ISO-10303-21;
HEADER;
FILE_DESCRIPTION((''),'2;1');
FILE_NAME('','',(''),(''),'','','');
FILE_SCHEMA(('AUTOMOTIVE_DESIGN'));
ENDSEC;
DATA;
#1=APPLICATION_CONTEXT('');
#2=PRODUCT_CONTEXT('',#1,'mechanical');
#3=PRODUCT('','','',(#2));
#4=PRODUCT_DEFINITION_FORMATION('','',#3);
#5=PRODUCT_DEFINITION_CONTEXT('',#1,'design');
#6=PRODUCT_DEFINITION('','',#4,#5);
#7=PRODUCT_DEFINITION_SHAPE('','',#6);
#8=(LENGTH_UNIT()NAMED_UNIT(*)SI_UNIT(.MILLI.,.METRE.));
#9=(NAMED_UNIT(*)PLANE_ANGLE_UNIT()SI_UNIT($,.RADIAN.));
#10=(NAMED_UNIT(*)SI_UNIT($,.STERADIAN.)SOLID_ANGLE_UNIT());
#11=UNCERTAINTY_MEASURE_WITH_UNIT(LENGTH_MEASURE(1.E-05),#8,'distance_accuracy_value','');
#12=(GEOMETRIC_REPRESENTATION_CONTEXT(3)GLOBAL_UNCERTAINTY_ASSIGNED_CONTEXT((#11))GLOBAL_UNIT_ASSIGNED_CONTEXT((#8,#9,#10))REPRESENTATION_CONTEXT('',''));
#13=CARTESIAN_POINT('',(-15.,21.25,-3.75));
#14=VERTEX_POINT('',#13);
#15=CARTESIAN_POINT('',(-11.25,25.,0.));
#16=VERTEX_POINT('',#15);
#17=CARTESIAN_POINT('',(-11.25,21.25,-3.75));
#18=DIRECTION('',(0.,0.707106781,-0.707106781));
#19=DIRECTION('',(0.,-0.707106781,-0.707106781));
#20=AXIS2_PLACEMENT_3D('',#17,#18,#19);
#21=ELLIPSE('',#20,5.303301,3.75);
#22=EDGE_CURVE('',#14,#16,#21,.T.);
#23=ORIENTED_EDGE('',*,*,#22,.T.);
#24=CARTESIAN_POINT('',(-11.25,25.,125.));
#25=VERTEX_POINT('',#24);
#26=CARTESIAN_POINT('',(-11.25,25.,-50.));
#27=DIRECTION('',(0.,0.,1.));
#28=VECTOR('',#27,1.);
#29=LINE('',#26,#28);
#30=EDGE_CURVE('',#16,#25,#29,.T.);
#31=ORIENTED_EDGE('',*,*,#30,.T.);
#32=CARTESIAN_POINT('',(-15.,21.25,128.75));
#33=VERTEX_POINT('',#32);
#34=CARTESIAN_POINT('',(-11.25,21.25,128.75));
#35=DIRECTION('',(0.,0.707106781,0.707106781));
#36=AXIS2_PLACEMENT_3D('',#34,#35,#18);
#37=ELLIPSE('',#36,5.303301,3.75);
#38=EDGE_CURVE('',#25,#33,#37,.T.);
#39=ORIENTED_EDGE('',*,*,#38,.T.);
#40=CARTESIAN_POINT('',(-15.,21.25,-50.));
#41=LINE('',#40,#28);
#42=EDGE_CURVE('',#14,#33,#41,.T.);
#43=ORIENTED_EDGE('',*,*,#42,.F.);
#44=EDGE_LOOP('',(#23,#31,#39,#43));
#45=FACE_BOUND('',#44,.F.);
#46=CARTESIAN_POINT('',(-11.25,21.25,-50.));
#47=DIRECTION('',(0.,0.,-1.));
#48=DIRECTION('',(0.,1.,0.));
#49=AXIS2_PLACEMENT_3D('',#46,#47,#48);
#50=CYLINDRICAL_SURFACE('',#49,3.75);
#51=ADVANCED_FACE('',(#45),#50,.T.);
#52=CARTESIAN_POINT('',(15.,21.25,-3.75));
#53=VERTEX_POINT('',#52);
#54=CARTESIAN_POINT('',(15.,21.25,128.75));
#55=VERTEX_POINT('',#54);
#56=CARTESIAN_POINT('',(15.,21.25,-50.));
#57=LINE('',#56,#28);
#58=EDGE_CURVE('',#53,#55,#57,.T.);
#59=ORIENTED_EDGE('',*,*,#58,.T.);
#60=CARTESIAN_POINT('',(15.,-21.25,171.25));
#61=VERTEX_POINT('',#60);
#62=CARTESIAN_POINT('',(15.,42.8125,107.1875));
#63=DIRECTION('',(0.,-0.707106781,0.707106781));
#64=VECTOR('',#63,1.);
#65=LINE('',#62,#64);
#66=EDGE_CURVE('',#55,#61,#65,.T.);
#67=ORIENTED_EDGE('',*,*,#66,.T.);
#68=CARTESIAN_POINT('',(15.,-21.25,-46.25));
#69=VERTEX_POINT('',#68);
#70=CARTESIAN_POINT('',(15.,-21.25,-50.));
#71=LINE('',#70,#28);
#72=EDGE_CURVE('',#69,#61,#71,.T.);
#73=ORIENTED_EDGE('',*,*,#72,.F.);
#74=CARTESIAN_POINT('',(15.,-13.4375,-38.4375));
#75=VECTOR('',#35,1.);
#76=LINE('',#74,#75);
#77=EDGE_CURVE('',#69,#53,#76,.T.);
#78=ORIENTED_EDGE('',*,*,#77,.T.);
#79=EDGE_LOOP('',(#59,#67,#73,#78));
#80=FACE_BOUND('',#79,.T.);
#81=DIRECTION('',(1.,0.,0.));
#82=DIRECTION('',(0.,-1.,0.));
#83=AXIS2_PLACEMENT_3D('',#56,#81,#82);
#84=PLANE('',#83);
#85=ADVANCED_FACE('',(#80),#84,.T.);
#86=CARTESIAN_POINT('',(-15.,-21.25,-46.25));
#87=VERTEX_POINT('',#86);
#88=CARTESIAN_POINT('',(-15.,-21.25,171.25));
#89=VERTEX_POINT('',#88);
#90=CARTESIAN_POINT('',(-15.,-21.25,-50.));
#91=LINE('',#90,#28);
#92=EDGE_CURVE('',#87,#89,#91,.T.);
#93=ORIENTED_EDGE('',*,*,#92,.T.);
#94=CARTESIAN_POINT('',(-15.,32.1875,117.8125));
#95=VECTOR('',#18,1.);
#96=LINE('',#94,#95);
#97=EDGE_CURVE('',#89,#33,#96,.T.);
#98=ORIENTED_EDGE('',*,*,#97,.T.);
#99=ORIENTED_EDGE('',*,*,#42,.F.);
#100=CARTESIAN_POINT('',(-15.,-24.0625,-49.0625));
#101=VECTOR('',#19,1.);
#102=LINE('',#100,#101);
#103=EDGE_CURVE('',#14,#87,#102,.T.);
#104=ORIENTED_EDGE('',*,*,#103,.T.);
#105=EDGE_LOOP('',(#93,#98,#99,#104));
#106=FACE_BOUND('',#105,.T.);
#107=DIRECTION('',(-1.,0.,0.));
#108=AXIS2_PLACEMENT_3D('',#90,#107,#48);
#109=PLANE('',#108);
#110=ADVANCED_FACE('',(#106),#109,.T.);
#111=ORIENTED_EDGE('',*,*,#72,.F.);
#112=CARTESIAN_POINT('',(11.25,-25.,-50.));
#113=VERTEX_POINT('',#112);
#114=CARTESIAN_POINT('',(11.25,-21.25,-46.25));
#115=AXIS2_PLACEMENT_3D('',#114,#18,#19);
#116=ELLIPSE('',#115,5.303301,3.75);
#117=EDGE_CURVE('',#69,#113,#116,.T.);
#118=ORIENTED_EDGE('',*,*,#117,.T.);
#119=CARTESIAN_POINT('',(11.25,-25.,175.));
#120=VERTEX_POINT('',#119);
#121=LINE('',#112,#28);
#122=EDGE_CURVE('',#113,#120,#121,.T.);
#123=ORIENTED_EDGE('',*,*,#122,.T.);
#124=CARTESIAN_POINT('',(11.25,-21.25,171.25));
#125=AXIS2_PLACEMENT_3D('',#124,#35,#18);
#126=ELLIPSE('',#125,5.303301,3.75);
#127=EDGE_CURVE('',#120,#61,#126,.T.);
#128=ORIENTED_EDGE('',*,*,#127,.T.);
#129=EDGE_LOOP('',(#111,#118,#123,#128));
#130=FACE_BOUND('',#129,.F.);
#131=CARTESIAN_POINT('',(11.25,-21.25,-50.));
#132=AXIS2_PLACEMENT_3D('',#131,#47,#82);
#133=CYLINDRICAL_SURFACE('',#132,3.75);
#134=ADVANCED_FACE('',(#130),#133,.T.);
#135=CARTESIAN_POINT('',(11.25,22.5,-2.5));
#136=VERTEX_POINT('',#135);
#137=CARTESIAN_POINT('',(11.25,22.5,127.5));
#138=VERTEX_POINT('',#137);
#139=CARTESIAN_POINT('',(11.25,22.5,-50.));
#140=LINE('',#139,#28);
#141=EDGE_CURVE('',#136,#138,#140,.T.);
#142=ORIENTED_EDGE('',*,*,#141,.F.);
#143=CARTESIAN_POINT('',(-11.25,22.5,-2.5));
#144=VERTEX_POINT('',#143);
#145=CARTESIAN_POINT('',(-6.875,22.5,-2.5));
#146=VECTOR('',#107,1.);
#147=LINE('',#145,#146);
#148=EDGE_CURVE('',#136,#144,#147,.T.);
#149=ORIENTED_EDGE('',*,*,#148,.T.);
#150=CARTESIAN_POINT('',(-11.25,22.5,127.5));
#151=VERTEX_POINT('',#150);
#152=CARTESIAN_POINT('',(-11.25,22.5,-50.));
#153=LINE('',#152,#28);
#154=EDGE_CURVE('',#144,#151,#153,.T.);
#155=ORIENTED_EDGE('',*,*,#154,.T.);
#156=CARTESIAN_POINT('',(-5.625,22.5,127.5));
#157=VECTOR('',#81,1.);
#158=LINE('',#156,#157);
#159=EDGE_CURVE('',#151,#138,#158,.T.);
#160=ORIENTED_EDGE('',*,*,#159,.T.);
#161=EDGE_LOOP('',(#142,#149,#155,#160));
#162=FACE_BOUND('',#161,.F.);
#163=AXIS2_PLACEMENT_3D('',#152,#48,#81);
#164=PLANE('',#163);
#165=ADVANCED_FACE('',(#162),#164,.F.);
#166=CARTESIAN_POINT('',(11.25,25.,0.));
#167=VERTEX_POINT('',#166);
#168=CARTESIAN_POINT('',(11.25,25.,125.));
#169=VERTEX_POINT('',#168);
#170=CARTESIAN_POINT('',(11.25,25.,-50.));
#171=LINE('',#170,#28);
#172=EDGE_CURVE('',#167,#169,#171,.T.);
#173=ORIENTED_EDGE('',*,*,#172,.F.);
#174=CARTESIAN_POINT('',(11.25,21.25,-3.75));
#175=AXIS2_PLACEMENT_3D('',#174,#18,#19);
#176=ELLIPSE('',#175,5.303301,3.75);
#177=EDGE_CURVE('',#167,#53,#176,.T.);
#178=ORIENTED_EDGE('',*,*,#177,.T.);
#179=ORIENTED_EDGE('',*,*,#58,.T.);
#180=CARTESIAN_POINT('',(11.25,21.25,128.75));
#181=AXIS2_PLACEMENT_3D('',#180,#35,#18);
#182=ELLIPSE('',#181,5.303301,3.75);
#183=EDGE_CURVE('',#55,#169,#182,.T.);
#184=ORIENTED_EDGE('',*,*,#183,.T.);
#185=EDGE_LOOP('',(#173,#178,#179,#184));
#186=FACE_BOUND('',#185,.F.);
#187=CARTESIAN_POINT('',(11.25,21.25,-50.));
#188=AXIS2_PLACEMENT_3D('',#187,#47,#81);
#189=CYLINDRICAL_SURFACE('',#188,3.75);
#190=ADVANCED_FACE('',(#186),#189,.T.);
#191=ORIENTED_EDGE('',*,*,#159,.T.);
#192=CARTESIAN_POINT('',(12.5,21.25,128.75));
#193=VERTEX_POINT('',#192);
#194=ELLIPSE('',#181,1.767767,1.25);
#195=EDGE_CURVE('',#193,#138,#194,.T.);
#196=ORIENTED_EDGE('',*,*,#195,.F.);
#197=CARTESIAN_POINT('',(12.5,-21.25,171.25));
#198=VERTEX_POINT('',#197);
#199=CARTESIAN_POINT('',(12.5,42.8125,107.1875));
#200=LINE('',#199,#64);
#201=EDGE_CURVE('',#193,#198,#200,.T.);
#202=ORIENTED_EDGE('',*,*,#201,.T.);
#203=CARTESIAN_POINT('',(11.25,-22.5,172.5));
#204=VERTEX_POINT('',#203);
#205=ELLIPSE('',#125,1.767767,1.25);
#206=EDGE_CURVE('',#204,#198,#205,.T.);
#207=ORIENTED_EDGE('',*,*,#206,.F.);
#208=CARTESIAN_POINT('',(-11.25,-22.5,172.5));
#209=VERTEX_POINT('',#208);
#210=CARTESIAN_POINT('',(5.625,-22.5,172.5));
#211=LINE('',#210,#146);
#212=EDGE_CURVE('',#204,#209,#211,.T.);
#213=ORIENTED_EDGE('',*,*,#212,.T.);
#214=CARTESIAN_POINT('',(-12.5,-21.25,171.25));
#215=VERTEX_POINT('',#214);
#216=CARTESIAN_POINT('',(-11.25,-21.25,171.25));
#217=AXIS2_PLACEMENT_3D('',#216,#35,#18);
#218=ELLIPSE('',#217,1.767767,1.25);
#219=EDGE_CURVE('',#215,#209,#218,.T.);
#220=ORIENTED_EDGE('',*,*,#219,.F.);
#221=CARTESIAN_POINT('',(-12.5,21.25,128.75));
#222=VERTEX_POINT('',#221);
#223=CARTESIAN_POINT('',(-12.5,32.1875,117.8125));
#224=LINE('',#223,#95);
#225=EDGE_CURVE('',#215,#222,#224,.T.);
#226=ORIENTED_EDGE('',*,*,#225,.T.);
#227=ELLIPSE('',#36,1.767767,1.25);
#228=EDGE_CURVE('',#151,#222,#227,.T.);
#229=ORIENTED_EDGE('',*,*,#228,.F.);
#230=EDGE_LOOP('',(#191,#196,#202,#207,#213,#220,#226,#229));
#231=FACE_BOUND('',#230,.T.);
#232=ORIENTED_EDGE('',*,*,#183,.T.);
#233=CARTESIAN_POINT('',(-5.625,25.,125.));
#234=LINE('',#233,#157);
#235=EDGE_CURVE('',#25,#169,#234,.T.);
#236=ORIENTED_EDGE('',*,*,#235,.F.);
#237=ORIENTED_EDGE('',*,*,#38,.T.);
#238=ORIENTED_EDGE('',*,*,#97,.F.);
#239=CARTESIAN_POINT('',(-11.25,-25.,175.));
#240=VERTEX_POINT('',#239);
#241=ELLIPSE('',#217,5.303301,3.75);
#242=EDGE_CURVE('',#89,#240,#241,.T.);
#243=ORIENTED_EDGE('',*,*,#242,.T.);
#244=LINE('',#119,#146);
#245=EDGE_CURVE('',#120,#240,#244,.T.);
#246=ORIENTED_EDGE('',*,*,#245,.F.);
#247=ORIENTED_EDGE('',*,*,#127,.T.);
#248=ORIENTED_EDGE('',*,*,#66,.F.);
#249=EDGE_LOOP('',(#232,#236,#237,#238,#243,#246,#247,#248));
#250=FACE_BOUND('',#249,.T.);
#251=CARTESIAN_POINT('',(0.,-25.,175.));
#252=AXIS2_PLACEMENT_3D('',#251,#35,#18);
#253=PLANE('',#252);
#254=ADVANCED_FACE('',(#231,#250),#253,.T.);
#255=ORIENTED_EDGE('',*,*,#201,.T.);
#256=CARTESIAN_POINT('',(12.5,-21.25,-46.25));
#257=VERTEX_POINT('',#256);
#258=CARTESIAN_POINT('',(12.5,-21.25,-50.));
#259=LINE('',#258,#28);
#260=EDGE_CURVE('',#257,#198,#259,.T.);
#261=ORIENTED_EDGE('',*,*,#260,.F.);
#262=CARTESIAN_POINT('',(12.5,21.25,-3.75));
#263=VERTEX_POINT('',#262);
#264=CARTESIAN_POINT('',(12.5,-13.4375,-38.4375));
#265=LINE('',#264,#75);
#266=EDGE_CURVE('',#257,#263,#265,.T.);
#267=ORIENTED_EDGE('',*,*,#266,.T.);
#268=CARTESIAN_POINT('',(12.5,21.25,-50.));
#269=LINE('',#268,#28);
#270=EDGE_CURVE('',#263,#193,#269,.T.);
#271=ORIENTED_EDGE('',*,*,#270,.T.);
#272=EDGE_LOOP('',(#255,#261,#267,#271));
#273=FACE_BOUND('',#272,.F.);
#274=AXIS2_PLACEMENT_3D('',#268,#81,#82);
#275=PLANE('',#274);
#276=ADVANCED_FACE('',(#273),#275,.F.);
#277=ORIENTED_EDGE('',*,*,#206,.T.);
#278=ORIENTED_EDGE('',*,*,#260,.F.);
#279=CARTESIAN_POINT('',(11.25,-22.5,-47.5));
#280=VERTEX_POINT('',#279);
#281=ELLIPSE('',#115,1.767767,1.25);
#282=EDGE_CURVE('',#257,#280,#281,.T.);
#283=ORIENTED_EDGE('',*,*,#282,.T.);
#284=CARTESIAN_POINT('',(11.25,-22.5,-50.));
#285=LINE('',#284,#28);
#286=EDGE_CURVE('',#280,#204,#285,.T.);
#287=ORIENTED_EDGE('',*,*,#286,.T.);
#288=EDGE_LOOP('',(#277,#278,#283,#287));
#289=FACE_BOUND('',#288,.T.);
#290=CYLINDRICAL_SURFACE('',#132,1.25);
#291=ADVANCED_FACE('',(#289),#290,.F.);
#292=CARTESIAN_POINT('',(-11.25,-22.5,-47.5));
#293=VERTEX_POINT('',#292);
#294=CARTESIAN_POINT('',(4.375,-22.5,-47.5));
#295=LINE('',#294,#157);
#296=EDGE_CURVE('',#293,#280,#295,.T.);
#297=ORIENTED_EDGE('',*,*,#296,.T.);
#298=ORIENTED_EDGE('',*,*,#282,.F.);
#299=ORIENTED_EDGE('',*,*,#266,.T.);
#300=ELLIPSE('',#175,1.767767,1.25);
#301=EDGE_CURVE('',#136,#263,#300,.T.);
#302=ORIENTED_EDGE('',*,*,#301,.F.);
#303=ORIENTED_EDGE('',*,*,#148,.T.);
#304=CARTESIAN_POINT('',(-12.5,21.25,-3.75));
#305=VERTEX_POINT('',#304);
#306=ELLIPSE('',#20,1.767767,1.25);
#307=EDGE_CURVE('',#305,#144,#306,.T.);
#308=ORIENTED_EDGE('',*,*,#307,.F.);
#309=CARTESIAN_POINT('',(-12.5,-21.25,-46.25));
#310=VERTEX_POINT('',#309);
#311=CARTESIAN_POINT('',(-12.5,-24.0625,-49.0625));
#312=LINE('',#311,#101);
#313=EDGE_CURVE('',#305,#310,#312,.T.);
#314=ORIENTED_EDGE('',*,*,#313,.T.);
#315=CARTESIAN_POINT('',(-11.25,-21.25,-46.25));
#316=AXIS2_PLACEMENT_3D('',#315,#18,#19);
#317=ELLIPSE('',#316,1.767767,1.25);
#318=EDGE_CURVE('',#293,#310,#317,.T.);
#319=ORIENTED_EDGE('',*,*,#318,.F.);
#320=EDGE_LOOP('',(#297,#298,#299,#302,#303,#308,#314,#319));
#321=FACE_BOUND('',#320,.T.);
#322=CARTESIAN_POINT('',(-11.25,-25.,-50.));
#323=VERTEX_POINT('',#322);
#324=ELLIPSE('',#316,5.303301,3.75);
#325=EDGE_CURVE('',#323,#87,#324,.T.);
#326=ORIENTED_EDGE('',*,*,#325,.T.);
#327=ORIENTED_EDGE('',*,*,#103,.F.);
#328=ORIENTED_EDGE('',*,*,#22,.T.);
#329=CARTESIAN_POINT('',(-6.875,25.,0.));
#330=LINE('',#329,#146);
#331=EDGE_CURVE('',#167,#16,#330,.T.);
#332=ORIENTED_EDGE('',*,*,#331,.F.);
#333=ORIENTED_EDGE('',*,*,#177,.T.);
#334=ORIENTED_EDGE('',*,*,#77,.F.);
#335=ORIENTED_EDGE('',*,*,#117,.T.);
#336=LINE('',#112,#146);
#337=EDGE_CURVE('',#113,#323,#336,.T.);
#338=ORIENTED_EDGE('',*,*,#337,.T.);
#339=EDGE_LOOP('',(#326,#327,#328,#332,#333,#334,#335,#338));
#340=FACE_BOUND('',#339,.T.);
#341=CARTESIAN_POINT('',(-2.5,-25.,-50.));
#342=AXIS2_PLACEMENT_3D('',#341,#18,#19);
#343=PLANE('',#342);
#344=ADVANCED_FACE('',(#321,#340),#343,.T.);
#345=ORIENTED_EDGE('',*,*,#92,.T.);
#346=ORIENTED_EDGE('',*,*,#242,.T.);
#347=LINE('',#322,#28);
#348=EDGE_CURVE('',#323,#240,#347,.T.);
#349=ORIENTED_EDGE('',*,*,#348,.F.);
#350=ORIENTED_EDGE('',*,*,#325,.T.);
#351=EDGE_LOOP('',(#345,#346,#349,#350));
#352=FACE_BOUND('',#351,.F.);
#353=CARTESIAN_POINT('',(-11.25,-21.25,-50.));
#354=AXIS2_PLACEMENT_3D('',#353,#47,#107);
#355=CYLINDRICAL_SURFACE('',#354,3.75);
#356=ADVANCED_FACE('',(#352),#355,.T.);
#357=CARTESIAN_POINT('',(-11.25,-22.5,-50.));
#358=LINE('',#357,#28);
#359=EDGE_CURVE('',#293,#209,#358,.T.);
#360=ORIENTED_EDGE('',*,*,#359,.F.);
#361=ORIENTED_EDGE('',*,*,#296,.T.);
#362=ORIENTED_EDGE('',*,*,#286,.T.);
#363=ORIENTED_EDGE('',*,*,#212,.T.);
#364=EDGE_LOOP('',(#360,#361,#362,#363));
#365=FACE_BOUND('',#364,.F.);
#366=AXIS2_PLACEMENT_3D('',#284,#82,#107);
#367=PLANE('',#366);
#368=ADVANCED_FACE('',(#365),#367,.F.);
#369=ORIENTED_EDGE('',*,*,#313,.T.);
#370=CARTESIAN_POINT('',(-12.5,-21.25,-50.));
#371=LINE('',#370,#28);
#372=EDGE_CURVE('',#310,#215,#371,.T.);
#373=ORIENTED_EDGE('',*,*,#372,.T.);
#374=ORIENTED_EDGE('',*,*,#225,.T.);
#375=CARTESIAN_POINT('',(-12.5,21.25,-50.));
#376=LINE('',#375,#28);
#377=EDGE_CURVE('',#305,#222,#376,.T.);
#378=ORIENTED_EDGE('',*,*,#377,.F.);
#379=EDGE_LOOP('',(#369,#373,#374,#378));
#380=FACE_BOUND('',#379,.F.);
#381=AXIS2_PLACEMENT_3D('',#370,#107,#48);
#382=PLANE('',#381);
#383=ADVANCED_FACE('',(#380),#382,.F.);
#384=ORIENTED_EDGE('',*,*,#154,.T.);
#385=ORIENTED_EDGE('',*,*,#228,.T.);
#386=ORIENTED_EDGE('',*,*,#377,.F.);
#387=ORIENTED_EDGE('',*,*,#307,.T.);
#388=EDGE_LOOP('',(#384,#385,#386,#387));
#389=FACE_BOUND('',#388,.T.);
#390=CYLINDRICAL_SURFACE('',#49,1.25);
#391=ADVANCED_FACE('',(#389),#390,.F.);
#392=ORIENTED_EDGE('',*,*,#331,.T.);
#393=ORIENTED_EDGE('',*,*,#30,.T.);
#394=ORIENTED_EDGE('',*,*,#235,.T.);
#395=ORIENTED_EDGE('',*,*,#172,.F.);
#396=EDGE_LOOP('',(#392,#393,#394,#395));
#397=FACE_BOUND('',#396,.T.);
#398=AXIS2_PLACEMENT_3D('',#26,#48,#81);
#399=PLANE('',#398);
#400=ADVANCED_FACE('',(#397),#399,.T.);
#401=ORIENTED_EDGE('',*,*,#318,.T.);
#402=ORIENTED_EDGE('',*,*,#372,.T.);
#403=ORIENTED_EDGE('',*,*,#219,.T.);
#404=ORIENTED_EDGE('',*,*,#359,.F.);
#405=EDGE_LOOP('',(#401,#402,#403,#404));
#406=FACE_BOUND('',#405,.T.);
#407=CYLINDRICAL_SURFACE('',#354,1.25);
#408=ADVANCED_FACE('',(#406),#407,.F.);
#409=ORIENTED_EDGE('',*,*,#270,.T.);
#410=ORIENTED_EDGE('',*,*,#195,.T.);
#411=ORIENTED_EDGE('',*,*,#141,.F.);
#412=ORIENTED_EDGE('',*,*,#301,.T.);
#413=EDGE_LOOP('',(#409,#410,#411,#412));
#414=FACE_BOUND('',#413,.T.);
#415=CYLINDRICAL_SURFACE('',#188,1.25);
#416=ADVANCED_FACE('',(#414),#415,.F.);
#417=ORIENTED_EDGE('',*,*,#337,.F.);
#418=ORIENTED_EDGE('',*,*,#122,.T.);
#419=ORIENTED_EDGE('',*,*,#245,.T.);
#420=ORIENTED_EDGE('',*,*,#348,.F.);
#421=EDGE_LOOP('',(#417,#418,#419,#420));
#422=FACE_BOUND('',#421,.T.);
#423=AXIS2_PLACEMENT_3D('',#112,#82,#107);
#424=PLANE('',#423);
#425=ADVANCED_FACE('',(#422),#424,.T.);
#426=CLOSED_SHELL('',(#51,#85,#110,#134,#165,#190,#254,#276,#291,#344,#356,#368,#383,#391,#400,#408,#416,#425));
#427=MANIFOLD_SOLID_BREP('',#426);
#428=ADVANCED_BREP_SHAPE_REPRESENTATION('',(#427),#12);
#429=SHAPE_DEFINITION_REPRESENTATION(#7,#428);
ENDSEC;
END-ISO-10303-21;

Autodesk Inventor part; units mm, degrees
ref_plane "Plano inicial" through (0, 0, -50) normal (0, 0, 1) x (1, 0, 0)
ref_plane "Plano final" through (0, 0, 175) normal (0, 0, 1) x (1, 0, 0)
sketch "Esboço" plane through (0, 0, 0) normal (0, 0, 1) x (1, 0, 0)
  line L0 (-15, -21.25) -> (-15, 21.25)
  line L1 (-11.25, 25) -> (11.25, 25)
  line L2 (15, 21.25) -> (15, -21.25)
  line L3 (11.25, -25) -> (-11.25, -25)
  arc A0 (-15, -21.25) -> (-11.25, -25) centre (-11.25, -21.25) ccw
  arc A1 (-11.25, 25) -> (-15, 21.25) centre (-11.25, 21.25) ccw
  arc A2 (15, 21.25) -> (11.25, 25) centre (11.25, 21.25) ccw
  arc A3 (11.25, -25) -> (15, -21.25) centre (11.25, -21.25) ccw
  arc A4 (-11.25, 22.5) -> (-12.5, 21.25) centre (-11.25, 21.25) ccw
  line L4 (-11.25, 22.5) -> (11.25, 22.5)
  arc A5 (12.5, 21.25) -> (11.25, 22.5) centre (11.25, 21.25) ccw
  line L5 (12.5, 21.25) -> (12.5, -21.25)
  arc A6 (11.25, -22.5) -> (12.5, -21.25) centre (11.25, -21.25) ccw
  line L6 (11.25, -22.5) -> (-11.25, -22.5)
  arc A7 (-12.5, -21.25) -> (-11.25, -22.5) centre (-11.25, -21.25) ccw
  line L7 (-12.5, -21.25) -> (-12.5, 21.25)
  line L8 (0, 36.0873) -> (0, -36.0873) construction
  line L9 (-22.0873, 0) -> (22.0873, 0) construction
  dimension "d7" = 3.75
  dimension "d10" = 50
  dimension "d11" = 30
  dimension "d12" = 2.5
  dimension "d15" = 25
  dimension "d16" = 15
extrude "Corpo" add sketch "Esboço" along normal up to surface (225 mm away) from surface at -50
sketch "Sketch3" plane through (0, 0, 0) normal (0, 0, 1) x (1, 0, 0)
  line L0 (0, 0) -> (10, 0)
ref_plane "Work Plane3" through (0, 0, 0) normal (0, -1, 0) x (1, 0, 0)
sketch "Sketch4" plane through (0, 0, 0) normal (0, -1, 0) x (1, 0, 0)
  line L0 (-2, -50) -> (12, -50)
  line L1 (-2, 175) -> (12, 175)
  dimension "d18" = 225
ref_plane "Plano de trabalho5" through (-15, -10, 175) normal (0, 0, 1) x (1, 0, 0)
split "Dividir2" plane through (-15, -10, 175) removes the side toward (0, 0, 1)
ref_plane "Plano de trabalho6" through (-2.5, -25, -50) normal (0, 0.7071, -0.7071) x (1, 0, 0)
split "Dividir3" plane through (-2.5, -25, -50) removes the side toward (0, 0.7071, -0.7071)
ref_plane "Plano de trabalho7" through (0, -25, 175) normal (0, 0.7071, 0.7071) x (1, 0, 0)
split "Dividir4" plane through (0, -25, 175) removes the side toward (0, 0.7071, 0.7071)
equation "\"d7\" = G_IR"
equation "\"d10\" = G_H"
equation "\"d11\" = G_W"
equation "\"d12\" = G_T"
equation "\"d15\" = 0.5 * d10"
equation "\"d16\" = 0.5 * d11"
equation "\"d3\" = G_L"
equation "\"G_W\" = 30"
equation "\"G_H\" = 50"
equation "\"G_T\" = 2.5"
equation "\"G_IR\" = 3.75"
equation "\"G_L\" = d18"
equation "\"G_OFFSET_END\" = 0"
equation "\"d14\" = G_OFFSET_END + B_L"
equation "\"B_L\" = 175"
properties part number "ISO 12633-2 - 50x30x2.5 - 225" material "Aço, suave"
